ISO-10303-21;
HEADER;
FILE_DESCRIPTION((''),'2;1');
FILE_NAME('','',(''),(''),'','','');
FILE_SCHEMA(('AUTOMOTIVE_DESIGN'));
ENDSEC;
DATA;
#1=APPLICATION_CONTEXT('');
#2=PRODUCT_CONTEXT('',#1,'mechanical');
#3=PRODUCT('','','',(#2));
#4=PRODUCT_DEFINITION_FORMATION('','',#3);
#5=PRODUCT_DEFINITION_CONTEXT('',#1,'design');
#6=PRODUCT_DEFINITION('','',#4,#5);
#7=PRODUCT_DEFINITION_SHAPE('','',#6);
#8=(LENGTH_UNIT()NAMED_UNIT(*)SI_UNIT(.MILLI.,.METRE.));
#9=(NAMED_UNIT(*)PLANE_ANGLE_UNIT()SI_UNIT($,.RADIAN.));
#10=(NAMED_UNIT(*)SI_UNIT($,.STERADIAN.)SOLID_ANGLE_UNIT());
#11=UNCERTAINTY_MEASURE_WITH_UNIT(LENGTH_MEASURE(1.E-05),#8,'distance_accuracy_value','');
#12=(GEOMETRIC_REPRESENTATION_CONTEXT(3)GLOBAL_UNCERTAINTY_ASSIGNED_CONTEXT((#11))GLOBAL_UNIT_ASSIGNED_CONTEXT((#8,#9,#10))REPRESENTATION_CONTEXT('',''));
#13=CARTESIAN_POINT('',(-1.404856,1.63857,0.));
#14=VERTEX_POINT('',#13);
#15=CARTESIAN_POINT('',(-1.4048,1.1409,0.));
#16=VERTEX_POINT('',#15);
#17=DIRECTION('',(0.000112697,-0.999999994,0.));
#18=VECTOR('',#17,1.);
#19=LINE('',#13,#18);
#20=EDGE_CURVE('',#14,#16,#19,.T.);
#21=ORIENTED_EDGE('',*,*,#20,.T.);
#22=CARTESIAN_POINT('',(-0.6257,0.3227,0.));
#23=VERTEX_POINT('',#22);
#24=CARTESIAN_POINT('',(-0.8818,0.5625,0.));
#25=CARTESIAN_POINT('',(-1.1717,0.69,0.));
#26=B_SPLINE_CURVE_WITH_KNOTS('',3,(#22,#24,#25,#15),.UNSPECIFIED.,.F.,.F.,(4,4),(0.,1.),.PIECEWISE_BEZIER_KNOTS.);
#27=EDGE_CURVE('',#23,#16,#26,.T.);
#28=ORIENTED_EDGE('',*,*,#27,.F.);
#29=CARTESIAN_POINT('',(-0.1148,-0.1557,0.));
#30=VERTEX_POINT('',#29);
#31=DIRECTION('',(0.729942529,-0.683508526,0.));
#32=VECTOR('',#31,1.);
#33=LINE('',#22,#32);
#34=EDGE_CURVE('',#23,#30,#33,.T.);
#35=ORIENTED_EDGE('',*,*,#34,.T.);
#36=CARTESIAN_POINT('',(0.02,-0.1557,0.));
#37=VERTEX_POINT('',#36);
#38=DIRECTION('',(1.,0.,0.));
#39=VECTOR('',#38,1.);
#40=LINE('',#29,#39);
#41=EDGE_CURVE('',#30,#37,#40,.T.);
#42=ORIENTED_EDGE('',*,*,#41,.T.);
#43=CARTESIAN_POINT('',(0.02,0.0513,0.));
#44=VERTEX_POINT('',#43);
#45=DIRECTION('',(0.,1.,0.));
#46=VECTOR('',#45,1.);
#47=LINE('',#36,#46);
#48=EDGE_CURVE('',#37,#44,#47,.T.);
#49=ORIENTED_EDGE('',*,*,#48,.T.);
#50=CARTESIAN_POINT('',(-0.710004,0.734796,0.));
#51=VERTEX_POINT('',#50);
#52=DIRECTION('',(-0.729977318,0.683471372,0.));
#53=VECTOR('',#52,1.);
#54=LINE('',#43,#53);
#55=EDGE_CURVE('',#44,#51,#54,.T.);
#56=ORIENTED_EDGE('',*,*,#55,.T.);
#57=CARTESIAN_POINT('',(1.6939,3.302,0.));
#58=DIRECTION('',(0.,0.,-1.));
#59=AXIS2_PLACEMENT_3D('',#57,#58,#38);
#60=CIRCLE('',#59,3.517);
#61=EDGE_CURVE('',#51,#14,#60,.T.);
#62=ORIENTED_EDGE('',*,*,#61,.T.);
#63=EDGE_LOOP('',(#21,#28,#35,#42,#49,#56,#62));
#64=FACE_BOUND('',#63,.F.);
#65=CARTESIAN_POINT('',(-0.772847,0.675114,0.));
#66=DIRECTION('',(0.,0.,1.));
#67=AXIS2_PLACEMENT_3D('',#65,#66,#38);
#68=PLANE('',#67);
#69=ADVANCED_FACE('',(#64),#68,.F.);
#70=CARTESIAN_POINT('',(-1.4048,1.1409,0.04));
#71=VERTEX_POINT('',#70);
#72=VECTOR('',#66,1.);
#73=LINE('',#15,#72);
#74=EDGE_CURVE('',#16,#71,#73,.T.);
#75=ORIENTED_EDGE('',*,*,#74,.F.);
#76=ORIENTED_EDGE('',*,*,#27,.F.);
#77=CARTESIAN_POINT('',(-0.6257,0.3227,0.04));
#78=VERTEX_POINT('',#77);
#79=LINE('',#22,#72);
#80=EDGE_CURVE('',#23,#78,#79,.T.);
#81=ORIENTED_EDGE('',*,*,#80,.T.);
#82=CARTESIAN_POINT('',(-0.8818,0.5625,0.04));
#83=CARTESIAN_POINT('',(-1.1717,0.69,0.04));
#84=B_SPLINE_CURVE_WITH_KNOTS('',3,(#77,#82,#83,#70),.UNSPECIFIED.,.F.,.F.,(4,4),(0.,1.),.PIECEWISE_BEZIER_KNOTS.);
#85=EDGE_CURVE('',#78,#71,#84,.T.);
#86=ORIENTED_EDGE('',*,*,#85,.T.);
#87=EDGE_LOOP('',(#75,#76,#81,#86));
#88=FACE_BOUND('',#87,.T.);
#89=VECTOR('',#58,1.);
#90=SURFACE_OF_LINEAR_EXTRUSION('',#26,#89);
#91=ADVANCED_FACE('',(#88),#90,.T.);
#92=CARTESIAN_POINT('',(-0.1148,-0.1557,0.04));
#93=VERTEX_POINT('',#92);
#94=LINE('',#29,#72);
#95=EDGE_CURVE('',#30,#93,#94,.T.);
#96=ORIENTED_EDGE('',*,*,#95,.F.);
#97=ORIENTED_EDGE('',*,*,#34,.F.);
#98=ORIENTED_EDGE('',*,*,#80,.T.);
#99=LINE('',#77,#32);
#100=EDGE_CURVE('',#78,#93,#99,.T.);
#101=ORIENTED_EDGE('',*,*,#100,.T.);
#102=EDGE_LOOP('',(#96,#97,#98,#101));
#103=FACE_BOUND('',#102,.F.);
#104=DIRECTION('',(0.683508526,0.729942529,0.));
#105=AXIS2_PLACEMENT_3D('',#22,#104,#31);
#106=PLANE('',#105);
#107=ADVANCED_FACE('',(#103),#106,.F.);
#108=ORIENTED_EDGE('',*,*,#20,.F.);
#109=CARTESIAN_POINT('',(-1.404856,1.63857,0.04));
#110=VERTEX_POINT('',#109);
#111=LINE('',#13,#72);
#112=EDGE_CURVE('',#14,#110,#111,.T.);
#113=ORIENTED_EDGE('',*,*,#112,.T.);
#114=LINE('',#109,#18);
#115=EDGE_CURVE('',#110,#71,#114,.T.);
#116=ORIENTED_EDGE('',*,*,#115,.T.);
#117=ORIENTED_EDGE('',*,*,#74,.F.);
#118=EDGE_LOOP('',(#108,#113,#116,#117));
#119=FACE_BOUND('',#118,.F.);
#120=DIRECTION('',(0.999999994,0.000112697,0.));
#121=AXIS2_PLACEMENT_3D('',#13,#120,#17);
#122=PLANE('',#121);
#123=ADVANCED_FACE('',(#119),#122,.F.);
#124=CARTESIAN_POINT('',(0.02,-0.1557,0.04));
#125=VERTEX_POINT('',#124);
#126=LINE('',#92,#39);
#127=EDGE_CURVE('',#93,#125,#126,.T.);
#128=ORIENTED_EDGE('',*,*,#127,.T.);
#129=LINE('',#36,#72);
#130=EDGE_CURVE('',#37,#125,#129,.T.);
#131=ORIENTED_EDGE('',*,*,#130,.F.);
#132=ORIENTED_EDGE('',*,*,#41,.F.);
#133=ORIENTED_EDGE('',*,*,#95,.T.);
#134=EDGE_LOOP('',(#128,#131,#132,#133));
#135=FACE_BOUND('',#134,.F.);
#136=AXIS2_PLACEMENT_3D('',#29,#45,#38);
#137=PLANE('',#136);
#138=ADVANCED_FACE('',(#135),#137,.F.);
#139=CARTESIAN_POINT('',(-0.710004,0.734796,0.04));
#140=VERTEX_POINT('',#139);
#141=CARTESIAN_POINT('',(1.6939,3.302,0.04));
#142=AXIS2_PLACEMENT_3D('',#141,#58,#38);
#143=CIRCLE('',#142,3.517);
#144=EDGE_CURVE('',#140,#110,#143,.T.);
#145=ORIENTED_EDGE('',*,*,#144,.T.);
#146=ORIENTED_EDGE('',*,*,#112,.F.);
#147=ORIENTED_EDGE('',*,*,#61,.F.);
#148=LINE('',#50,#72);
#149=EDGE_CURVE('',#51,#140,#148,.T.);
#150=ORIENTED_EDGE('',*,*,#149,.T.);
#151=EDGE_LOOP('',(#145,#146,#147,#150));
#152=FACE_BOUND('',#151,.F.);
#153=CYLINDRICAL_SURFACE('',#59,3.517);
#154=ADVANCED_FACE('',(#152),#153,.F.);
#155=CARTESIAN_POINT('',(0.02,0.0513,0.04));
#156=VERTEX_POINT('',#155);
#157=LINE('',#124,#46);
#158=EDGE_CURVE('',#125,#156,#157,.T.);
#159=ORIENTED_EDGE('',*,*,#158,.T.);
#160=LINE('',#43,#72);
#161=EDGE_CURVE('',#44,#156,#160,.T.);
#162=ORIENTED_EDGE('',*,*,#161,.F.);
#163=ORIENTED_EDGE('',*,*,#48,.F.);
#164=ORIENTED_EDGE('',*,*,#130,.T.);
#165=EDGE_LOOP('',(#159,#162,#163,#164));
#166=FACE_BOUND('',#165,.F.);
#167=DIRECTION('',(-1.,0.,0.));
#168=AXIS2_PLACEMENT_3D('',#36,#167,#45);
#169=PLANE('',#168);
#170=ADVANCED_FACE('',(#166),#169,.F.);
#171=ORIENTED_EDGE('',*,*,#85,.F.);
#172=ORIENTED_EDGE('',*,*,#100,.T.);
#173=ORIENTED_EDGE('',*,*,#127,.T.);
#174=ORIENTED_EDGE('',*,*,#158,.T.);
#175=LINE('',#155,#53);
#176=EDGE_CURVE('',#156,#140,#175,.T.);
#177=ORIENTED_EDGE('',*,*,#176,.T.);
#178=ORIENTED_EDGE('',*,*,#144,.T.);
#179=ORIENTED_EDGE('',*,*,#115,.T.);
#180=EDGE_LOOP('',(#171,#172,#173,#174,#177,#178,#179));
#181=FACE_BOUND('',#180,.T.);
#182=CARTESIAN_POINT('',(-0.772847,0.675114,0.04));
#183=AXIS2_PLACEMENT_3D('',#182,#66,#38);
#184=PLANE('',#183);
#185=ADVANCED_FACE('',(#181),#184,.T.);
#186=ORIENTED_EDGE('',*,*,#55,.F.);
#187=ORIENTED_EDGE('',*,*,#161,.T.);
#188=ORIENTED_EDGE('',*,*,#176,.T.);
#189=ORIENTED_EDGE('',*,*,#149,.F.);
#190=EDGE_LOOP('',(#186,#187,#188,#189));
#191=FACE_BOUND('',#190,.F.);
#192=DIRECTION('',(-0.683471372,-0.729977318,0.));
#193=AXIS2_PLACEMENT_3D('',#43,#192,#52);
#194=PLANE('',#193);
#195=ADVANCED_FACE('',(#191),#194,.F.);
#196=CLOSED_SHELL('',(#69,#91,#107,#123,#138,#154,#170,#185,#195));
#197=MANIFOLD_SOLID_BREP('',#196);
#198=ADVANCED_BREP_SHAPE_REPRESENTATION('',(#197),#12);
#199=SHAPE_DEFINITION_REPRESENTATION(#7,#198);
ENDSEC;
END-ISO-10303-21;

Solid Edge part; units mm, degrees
sketch "Sketch1" plane through (0, 0, 0) normal (0, 0, 1) x (1, 0, 0)
  line L0 (-0.1148, -0.1557) -> (0.02, -0.1557)
  line L1 (0.02, -0.1557) -> (0.02, 0.0513)
  line L2 (0.02, 0.0513) -> (-0.71, 0.7348)
  arc A0 (-0.71, 0.7348) -> (-1.4048, 1.6386) centre (1.6939, 3.302) cw
  line L3 (-1.4048, 1.6386) -> (-1.4048, 1.1409)
  spline S0 degree 3 poles (-0.6257, 0.3227) (-0.8818, 0.5625) (-1.1717, 0.69) (-1.4048, 1.1409) knots 0 0 0 0 1 1 1 1
  line L4 (-0.6257, 0.3227) -> (-0.1148, -0.1557)
  dimension "D1" = 1
  dimension "D2" = 0.7
extrude "Protrusion1" add sketch "Sketch1" along normal blind 0.04
